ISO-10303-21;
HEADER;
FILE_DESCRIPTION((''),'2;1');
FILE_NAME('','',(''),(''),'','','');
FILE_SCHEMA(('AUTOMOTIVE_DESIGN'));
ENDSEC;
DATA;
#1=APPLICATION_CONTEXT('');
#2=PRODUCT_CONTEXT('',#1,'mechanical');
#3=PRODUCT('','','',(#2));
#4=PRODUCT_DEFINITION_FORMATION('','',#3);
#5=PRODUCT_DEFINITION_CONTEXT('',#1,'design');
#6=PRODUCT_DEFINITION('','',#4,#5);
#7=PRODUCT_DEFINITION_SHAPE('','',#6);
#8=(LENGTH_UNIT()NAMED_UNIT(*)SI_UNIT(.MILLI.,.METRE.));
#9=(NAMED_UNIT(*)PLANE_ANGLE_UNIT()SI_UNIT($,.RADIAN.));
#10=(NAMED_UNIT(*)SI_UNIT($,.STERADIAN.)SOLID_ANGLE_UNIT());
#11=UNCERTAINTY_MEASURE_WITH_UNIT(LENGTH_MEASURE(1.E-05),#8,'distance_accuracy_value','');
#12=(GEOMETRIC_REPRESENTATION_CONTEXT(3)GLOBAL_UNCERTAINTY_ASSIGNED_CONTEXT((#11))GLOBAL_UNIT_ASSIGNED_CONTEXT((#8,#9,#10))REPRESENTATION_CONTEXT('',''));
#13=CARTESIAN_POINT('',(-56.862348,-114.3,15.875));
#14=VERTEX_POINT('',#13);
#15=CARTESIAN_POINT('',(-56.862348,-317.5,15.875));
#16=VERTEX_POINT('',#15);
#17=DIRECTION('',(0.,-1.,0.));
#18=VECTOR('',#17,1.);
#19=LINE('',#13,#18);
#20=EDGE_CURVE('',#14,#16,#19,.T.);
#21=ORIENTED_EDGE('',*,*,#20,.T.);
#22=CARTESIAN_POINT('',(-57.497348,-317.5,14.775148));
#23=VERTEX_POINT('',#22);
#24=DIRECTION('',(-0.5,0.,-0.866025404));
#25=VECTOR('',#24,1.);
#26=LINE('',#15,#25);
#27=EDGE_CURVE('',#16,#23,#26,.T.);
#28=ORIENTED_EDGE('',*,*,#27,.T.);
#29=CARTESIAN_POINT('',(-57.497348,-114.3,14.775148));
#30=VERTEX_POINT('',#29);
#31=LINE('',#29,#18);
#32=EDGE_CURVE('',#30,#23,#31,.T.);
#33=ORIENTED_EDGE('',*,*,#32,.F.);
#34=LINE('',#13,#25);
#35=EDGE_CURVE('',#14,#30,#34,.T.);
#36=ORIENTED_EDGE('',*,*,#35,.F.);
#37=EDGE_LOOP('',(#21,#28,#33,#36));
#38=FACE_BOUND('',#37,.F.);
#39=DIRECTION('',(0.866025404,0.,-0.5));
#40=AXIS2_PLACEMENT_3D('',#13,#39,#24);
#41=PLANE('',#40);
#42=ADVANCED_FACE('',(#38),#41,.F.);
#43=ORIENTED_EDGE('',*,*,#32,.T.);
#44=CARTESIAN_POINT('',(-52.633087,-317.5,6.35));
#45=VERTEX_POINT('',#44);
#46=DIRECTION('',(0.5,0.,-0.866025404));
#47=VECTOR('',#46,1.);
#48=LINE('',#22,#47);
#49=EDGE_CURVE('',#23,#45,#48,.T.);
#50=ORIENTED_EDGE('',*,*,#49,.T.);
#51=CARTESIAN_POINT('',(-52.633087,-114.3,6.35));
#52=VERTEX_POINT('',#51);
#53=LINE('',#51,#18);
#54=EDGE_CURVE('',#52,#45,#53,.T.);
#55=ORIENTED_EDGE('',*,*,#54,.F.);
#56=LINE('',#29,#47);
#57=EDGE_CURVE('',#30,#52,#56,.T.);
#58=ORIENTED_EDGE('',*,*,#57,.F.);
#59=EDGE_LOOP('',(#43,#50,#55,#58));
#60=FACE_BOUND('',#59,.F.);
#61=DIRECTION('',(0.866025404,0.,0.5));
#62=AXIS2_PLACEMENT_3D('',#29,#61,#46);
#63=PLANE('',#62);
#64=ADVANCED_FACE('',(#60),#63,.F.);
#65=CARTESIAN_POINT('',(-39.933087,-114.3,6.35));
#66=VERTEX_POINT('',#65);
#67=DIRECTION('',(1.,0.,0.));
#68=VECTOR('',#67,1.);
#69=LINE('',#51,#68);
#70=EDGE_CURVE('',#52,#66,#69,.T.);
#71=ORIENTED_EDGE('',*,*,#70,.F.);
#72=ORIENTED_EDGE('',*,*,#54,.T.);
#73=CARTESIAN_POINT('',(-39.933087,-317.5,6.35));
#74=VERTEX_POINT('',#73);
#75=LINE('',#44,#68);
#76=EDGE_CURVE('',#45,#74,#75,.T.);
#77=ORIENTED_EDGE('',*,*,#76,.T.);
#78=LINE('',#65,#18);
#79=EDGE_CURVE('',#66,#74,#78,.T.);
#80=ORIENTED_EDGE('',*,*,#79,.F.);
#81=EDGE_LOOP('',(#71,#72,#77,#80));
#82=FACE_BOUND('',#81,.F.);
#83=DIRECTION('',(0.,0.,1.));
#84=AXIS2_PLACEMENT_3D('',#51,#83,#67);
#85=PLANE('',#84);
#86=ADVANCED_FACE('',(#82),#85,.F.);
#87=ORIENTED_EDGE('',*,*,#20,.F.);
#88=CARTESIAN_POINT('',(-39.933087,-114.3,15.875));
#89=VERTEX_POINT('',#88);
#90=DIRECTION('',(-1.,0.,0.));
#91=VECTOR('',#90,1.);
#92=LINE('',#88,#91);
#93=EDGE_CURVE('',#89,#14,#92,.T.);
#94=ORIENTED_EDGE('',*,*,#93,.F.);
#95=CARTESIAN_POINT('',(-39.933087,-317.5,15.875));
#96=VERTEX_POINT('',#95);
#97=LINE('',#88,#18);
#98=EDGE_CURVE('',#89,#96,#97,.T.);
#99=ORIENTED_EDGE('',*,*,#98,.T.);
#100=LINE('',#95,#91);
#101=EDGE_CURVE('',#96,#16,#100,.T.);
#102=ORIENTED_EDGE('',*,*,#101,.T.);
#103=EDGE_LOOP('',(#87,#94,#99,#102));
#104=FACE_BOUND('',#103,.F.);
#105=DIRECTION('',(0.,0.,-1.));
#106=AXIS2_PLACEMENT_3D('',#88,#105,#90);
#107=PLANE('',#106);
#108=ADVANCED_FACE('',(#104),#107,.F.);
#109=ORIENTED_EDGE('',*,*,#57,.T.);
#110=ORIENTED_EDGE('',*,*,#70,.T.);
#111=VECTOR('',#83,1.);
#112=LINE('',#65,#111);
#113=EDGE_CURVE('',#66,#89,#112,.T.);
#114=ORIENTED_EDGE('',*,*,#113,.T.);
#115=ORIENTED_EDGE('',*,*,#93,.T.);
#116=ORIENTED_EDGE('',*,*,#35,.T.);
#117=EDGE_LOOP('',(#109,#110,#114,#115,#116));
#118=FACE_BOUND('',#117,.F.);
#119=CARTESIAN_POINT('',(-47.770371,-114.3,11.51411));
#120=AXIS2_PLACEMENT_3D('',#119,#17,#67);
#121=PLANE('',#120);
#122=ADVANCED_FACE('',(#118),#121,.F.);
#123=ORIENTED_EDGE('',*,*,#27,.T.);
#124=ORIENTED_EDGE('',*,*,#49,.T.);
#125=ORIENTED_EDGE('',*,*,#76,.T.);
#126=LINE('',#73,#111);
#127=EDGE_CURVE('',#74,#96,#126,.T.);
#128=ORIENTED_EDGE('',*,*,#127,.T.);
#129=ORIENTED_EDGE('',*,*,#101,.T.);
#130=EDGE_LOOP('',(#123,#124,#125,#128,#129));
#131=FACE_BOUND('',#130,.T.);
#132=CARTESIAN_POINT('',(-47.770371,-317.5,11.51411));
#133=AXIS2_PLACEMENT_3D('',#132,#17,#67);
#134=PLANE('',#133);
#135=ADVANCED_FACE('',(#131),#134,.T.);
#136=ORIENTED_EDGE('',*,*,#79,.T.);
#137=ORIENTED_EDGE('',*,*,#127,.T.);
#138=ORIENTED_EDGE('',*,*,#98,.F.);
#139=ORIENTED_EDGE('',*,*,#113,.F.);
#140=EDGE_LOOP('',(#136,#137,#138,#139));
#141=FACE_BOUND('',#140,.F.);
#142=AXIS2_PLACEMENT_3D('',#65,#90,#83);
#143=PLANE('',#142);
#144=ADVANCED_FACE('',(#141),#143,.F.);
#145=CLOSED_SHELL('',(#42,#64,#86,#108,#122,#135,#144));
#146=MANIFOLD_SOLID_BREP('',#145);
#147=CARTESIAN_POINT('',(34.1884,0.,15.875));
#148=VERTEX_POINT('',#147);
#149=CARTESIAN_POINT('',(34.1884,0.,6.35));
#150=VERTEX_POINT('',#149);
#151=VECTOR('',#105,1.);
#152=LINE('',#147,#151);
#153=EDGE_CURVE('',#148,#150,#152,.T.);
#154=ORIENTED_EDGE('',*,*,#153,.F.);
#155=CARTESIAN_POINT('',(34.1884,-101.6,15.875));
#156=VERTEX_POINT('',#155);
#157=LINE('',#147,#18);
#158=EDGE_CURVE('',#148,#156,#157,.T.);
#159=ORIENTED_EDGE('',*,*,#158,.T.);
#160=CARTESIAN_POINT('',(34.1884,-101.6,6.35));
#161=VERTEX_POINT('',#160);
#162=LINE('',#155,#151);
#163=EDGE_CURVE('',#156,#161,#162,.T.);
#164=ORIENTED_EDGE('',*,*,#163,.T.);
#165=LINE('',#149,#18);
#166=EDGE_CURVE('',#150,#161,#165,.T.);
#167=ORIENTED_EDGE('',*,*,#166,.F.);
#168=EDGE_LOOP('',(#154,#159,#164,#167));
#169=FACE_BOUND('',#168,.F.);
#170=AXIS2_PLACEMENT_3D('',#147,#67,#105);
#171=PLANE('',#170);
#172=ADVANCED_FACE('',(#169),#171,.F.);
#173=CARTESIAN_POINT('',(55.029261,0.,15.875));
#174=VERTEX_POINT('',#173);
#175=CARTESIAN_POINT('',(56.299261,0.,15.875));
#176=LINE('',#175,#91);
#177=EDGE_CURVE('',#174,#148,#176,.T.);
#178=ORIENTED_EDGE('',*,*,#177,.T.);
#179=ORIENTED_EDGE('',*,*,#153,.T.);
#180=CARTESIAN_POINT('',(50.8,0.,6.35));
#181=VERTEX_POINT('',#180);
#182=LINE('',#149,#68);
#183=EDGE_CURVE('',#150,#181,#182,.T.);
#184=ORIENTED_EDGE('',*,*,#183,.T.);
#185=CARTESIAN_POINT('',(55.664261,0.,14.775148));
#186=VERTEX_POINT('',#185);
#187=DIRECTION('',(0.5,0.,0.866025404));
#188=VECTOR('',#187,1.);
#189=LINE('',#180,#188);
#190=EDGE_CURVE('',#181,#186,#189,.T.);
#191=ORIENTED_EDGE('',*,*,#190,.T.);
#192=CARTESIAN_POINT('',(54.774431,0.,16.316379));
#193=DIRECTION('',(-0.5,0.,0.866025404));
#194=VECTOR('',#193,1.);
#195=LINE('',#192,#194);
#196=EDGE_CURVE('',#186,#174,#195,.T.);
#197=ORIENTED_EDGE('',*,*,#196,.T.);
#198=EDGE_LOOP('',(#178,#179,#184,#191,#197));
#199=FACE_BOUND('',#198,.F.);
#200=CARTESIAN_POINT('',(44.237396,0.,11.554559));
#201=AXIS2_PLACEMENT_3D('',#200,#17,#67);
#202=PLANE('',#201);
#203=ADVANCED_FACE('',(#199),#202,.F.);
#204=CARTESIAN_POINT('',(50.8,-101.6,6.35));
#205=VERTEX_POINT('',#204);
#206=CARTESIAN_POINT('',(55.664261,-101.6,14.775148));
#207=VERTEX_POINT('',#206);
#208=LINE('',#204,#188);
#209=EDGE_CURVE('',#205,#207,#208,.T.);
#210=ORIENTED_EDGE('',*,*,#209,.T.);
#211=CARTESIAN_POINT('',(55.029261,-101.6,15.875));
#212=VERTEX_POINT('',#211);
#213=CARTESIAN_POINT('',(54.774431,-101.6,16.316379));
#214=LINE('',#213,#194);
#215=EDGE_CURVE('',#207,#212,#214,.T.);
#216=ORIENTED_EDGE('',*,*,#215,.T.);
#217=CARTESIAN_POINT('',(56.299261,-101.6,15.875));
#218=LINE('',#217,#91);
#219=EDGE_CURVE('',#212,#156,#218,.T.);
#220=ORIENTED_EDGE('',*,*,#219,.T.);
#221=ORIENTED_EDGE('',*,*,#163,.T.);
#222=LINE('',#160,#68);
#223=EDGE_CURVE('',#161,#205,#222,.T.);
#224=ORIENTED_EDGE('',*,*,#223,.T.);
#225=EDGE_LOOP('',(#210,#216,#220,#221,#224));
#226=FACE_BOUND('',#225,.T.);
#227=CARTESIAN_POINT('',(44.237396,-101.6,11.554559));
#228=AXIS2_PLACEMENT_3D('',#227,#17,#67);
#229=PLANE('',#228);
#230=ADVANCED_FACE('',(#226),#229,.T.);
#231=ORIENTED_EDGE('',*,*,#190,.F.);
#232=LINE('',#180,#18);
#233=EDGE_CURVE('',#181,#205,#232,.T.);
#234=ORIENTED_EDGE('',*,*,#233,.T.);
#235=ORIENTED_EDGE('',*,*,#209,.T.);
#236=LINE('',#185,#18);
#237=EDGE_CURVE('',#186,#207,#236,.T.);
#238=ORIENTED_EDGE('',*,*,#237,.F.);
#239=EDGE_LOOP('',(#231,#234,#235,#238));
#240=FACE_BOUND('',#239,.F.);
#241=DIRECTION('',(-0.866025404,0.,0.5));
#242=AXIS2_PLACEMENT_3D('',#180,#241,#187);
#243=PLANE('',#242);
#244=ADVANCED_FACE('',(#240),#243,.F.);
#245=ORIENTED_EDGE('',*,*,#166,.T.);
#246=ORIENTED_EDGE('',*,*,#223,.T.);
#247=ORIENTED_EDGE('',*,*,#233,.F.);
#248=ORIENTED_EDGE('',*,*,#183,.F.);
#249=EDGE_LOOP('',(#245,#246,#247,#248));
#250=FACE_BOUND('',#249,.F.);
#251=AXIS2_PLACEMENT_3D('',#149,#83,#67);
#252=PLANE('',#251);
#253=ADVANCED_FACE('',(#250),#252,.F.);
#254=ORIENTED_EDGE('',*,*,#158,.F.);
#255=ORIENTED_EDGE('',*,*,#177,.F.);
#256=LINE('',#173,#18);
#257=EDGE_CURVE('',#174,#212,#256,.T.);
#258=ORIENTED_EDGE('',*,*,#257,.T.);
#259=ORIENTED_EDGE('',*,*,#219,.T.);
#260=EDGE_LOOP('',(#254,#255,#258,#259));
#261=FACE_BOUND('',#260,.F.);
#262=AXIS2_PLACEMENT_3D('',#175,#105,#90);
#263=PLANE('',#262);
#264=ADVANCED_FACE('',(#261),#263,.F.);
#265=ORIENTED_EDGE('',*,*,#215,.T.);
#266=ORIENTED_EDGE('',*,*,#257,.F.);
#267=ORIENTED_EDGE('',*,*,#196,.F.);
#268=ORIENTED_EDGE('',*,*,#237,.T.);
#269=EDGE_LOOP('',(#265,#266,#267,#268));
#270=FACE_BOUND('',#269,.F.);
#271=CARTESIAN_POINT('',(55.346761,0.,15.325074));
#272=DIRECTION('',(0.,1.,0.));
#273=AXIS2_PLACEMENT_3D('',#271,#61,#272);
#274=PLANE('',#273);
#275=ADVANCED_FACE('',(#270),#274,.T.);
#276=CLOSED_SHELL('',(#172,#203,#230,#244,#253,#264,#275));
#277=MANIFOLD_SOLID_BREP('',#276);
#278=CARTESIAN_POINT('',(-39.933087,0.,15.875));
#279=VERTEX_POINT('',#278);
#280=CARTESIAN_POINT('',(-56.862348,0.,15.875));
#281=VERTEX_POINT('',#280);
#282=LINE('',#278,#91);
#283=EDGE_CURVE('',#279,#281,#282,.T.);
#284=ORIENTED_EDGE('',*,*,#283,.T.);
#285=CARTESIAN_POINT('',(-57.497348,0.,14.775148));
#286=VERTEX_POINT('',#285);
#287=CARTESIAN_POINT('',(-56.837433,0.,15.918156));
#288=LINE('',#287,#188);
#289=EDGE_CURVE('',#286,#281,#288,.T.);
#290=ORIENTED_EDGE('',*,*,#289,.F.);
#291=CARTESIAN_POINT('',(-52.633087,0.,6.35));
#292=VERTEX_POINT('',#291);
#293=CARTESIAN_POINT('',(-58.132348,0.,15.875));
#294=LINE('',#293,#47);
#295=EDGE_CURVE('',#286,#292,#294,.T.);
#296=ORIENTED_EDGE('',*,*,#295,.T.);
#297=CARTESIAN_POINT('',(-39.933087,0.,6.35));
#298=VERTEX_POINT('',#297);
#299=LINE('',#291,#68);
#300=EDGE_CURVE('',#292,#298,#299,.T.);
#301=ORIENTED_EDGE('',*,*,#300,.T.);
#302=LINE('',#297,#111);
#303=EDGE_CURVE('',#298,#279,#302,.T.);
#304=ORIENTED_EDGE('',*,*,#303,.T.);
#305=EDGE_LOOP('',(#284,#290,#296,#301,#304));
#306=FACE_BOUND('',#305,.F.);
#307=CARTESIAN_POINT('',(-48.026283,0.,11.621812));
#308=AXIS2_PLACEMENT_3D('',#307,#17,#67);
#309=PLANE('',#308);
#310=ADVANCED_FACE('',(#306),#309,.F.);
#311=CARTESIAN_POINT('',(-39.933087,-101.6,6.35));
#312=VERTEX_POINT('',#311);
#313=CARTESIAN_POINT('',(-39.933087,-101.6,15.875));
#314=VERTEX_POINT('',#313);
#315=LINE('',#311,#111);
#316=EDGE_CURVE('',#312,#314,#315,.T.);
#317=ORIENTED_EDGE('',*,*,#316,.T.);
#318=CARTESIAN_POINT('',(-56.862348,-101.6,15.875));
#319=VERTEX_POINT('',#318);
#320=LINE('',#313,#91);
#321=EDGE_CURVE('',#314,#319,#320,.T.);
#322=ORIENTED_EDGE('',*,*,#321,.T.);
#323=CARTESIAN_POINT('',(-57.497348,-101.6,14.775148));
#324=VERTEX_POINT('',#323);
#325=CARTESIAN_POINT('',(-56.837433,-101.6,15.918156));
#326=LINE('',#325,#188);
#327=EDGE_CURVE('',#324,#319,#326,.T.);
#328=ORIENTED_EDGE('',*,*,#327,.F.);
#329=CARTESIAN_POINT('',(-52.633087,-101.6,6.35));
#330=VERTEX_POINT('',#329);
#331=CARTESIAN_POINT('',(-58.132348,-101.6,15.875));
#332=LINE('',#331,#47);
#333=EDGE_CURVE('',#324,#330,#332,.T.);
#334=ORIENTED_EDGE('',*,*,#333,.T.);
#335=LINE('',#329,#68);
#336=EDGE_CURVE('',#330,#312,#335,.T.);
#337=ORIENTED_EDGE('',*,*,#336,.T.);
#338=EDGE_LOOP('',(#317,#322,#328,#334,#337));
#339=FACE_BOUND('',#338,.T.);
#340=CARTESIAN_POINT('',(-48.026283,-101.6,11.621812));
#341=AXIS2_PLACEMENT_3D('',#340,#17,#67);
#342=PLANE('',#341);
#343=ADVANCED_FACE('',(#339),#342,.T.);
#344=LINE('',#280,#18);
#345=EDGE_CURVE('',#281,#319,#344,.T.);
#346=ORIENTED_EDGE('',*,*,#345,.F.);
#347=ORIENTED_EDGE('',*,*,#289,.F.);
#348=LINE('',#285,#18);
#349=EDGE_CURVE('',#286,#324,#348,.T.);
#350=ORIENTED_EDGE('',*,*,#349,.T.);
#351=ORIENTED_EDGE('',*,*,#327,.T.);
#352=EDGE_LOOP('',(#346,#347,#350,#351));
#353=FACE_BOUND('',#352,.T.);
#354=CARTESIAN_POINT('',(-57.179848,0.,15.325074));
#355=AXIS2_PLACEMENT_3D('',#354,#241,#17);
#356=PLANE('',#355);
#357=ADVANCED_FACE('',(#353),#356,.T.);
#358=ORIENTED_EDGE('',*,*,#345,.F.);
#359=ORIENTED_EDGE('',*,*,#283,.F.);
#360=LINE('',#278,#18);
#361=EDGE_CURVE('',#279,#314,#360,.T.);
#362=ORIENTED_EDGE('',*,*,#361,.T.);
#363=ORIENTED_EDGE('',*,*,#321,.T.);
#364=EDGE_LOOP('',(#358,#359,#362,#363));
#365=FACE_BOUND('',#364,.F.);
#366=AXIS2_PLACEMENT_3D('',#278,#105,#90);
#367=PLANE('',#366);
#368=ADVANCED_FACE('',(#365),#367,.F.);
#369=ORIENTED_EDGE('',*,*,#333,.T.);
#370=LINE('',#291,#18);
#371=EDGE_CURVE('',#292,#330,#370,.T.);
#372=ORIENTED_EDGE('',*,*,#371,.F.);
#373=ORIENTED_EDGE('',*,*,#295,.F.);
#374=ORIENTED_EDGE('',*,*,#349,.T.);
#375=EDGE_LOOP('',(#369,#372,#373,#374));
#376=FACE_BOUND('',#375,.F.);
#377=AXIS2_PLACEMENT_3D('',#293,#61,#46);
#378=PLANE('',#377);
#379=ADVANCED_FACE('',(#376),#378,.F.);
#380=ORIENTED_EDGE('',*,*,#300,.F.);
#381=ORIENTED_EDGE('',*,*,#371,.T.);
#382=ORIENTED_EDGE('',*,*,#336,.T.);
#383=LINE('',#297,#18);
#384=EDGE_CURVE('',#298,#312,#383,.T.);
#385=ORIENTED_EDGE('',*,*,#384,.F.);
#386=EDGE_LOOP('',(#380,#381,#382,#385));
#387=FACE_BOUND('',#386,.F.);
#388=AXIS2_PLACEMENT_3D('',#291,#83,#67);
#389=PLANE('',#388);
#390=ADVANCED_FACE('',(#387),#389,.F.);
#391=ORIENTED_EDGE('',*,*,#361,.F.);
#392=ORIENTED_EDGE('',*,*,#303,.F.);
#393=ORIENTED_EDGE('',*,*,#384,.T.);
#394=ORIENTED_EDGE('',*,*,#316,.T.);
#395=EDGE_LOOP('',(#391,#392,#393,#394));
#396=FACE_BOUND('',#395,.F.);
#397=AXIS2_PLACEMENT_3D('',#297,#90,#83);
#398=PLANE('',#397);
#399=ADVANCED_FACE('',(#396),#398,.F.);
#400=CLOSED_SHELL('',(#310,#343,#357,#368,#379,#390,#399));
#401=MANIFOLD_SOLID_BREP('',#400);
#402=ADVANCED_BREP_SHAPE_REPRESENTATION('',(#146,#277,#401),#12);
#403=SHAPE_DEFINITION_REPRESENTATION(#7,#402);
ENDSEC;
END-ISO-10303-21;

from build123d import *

# Parameters (mm, degrees)
F1_DEPTH   = 101.6
F2_DEPTH   = 101.6
F3_SIZE2   = 1.27
F3_SIZE    = 1.27
F3_2_SIZE2 = 1.27
F3_2_SIZE  = 1.27
F6_DEPTH   = 203.2


with BuildPart() as f1:
    # F0 (on Front) → F1 (new body)
    with BuildSketch(Plane.XZ):
        Polygon((-58.1323484187, 15.875), (-52.6330871047, 6.35), (-39.9330871047, 6.35), (-39.9330871047, 15.875), align=None)
    extrude(amount=F1_DEPTH)

    # F3
    f3_edges = [f1.edges().sort_by_distance(p)[0] for p in [
        (-58.132348, -50.8, 15.875),
    ]]
    chamfer(f3_edges, length=F3_SIZE, length2=F3_SIZE2)


with BuildPart() as f2:
    # F0 (on Front) → F2 (new body)
    with BuildSketch(Plane.XZ):
        Polygon((34.1884, 6.35), (50.8, 6.35), (56.299261314, 15.875), (34.1884, 15.875), align=None)
    extrude(amount=F2_DEPTH)

    # F3#2
    f3_2_edges = [f2.edges().sort_by_distance(p)[0] for p in [
        (56.299261, -50.8, 15.875),
    ]]
    chamfer(f3_2_edges, length=F3_2_SIZE, length2=F3_2_SIZE2)


with BuildPart() as f6:
    # F5 (on offset) → F6 (new body)
    with BuildSketch(Plane.XZ.offset(114.3)):
        Polygon((-39.9330871047, 6.35), (-39.9330871047, 15.875), (-56.8623484187, 15.875), (-57.4973484187, 14.7751477372), (-52.6330871047, 6.35), align=None)
    extrude(amount=F6_DEPTH)


solid = Compound([f1.part, f2.part, f6.part])
